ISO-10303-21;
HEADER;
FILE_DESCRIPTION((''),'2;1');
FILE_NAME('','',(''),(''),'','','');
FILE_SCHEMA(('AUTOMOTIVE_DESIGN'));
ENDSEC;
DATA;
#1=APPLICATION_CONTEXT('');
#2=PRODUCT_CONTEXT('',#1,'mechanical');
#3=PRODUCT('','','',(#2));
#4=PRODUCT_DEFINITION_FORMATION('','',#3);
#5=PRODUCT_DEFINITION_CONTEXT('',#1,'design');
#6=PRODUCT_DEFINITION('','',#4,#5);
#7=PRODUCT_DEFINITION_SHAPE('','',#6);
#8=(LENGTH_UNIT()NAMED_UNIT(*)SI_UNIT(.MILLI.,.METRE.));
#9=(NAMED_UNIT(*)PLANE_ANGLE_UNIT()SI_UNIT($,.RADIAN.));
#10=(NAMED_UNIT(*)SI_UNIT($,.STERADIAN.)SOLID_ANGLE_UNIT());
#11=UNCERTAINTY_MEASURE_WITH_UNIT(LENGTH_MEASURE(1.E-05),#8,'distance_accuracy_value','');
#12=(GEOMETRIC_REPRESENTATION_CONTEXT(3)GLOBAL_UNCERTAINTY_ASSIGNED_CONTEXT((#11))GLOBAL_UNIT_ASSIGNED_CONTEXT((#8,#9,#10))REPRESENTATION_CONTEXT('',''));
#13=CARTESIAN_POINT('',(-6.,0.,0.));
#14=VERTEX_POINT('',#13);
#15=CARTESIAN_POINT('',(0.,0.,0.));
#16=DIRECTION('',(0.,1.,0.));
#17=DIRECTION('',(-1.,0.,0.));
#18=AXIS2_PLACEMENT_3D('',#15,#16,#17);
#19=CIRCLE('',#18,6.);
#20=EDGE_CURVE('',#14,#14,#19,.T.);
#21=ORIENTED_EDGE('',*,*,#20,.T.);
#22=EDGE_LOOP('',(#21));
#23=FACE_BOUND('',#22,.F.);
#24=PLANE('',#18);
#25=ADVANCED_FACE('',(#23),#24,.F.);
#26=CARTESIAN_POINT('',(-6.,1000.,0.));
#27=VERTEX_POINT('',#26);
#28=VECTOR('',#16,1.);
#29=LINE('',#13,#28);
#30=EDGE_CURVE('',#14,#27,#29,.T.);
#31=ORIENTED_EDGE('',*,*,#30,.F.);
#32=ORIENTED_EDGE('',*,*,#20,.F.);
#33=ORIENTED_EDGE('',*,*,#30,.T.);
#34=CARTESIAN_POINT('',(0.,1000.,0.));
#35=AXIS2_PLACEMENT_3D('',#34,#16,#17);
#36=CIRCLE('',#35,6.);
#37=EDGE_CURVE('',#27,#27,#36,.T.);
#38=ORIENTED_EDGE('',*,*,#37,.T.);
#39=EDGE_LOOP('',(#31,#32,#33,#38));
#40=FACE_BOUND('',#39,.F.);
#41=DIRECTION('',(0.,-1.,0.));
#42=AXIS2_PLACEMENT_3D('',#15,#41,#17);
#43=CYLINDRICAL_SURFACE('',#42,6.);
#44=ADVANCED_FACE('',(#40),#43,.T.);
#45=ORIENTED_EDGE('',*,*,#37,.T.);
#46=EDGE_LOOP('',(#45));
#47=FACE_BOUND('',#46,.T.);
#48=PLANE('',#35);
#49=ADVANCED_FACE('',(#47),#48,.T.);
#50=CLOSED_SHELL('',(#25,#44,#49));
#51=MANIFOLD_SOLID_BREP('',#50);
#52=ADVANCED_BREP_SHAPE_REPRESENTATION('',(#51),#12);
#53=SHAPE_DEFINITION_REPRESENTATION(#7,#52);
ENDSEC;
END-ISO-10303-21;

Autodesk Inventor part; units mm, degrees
ref_plane "YZ Plane" through (0, 0, 0) normal (1, 0, 0) x (0, 1, 0)
ref_plane "XZ Plane" through (0, 0, 0) normal (0, 1, 0) x (-1, 0, 0)
ref_plane "XY Plane" through (0, 0, 0) normal (0, 0, 1) x (1, 0, 0)
sketch "Sketch1" plane through (0, 0, 0) normal (0, 1, 0) x (-1, 0, 0)
  circle A0 centre (0, 0) radius 6
  dimension "d0" = 12
extrude "Extrusion1" add sketch "Sketch1" along normal blind 1000
properties part number "12mm_1000mm_rod"
